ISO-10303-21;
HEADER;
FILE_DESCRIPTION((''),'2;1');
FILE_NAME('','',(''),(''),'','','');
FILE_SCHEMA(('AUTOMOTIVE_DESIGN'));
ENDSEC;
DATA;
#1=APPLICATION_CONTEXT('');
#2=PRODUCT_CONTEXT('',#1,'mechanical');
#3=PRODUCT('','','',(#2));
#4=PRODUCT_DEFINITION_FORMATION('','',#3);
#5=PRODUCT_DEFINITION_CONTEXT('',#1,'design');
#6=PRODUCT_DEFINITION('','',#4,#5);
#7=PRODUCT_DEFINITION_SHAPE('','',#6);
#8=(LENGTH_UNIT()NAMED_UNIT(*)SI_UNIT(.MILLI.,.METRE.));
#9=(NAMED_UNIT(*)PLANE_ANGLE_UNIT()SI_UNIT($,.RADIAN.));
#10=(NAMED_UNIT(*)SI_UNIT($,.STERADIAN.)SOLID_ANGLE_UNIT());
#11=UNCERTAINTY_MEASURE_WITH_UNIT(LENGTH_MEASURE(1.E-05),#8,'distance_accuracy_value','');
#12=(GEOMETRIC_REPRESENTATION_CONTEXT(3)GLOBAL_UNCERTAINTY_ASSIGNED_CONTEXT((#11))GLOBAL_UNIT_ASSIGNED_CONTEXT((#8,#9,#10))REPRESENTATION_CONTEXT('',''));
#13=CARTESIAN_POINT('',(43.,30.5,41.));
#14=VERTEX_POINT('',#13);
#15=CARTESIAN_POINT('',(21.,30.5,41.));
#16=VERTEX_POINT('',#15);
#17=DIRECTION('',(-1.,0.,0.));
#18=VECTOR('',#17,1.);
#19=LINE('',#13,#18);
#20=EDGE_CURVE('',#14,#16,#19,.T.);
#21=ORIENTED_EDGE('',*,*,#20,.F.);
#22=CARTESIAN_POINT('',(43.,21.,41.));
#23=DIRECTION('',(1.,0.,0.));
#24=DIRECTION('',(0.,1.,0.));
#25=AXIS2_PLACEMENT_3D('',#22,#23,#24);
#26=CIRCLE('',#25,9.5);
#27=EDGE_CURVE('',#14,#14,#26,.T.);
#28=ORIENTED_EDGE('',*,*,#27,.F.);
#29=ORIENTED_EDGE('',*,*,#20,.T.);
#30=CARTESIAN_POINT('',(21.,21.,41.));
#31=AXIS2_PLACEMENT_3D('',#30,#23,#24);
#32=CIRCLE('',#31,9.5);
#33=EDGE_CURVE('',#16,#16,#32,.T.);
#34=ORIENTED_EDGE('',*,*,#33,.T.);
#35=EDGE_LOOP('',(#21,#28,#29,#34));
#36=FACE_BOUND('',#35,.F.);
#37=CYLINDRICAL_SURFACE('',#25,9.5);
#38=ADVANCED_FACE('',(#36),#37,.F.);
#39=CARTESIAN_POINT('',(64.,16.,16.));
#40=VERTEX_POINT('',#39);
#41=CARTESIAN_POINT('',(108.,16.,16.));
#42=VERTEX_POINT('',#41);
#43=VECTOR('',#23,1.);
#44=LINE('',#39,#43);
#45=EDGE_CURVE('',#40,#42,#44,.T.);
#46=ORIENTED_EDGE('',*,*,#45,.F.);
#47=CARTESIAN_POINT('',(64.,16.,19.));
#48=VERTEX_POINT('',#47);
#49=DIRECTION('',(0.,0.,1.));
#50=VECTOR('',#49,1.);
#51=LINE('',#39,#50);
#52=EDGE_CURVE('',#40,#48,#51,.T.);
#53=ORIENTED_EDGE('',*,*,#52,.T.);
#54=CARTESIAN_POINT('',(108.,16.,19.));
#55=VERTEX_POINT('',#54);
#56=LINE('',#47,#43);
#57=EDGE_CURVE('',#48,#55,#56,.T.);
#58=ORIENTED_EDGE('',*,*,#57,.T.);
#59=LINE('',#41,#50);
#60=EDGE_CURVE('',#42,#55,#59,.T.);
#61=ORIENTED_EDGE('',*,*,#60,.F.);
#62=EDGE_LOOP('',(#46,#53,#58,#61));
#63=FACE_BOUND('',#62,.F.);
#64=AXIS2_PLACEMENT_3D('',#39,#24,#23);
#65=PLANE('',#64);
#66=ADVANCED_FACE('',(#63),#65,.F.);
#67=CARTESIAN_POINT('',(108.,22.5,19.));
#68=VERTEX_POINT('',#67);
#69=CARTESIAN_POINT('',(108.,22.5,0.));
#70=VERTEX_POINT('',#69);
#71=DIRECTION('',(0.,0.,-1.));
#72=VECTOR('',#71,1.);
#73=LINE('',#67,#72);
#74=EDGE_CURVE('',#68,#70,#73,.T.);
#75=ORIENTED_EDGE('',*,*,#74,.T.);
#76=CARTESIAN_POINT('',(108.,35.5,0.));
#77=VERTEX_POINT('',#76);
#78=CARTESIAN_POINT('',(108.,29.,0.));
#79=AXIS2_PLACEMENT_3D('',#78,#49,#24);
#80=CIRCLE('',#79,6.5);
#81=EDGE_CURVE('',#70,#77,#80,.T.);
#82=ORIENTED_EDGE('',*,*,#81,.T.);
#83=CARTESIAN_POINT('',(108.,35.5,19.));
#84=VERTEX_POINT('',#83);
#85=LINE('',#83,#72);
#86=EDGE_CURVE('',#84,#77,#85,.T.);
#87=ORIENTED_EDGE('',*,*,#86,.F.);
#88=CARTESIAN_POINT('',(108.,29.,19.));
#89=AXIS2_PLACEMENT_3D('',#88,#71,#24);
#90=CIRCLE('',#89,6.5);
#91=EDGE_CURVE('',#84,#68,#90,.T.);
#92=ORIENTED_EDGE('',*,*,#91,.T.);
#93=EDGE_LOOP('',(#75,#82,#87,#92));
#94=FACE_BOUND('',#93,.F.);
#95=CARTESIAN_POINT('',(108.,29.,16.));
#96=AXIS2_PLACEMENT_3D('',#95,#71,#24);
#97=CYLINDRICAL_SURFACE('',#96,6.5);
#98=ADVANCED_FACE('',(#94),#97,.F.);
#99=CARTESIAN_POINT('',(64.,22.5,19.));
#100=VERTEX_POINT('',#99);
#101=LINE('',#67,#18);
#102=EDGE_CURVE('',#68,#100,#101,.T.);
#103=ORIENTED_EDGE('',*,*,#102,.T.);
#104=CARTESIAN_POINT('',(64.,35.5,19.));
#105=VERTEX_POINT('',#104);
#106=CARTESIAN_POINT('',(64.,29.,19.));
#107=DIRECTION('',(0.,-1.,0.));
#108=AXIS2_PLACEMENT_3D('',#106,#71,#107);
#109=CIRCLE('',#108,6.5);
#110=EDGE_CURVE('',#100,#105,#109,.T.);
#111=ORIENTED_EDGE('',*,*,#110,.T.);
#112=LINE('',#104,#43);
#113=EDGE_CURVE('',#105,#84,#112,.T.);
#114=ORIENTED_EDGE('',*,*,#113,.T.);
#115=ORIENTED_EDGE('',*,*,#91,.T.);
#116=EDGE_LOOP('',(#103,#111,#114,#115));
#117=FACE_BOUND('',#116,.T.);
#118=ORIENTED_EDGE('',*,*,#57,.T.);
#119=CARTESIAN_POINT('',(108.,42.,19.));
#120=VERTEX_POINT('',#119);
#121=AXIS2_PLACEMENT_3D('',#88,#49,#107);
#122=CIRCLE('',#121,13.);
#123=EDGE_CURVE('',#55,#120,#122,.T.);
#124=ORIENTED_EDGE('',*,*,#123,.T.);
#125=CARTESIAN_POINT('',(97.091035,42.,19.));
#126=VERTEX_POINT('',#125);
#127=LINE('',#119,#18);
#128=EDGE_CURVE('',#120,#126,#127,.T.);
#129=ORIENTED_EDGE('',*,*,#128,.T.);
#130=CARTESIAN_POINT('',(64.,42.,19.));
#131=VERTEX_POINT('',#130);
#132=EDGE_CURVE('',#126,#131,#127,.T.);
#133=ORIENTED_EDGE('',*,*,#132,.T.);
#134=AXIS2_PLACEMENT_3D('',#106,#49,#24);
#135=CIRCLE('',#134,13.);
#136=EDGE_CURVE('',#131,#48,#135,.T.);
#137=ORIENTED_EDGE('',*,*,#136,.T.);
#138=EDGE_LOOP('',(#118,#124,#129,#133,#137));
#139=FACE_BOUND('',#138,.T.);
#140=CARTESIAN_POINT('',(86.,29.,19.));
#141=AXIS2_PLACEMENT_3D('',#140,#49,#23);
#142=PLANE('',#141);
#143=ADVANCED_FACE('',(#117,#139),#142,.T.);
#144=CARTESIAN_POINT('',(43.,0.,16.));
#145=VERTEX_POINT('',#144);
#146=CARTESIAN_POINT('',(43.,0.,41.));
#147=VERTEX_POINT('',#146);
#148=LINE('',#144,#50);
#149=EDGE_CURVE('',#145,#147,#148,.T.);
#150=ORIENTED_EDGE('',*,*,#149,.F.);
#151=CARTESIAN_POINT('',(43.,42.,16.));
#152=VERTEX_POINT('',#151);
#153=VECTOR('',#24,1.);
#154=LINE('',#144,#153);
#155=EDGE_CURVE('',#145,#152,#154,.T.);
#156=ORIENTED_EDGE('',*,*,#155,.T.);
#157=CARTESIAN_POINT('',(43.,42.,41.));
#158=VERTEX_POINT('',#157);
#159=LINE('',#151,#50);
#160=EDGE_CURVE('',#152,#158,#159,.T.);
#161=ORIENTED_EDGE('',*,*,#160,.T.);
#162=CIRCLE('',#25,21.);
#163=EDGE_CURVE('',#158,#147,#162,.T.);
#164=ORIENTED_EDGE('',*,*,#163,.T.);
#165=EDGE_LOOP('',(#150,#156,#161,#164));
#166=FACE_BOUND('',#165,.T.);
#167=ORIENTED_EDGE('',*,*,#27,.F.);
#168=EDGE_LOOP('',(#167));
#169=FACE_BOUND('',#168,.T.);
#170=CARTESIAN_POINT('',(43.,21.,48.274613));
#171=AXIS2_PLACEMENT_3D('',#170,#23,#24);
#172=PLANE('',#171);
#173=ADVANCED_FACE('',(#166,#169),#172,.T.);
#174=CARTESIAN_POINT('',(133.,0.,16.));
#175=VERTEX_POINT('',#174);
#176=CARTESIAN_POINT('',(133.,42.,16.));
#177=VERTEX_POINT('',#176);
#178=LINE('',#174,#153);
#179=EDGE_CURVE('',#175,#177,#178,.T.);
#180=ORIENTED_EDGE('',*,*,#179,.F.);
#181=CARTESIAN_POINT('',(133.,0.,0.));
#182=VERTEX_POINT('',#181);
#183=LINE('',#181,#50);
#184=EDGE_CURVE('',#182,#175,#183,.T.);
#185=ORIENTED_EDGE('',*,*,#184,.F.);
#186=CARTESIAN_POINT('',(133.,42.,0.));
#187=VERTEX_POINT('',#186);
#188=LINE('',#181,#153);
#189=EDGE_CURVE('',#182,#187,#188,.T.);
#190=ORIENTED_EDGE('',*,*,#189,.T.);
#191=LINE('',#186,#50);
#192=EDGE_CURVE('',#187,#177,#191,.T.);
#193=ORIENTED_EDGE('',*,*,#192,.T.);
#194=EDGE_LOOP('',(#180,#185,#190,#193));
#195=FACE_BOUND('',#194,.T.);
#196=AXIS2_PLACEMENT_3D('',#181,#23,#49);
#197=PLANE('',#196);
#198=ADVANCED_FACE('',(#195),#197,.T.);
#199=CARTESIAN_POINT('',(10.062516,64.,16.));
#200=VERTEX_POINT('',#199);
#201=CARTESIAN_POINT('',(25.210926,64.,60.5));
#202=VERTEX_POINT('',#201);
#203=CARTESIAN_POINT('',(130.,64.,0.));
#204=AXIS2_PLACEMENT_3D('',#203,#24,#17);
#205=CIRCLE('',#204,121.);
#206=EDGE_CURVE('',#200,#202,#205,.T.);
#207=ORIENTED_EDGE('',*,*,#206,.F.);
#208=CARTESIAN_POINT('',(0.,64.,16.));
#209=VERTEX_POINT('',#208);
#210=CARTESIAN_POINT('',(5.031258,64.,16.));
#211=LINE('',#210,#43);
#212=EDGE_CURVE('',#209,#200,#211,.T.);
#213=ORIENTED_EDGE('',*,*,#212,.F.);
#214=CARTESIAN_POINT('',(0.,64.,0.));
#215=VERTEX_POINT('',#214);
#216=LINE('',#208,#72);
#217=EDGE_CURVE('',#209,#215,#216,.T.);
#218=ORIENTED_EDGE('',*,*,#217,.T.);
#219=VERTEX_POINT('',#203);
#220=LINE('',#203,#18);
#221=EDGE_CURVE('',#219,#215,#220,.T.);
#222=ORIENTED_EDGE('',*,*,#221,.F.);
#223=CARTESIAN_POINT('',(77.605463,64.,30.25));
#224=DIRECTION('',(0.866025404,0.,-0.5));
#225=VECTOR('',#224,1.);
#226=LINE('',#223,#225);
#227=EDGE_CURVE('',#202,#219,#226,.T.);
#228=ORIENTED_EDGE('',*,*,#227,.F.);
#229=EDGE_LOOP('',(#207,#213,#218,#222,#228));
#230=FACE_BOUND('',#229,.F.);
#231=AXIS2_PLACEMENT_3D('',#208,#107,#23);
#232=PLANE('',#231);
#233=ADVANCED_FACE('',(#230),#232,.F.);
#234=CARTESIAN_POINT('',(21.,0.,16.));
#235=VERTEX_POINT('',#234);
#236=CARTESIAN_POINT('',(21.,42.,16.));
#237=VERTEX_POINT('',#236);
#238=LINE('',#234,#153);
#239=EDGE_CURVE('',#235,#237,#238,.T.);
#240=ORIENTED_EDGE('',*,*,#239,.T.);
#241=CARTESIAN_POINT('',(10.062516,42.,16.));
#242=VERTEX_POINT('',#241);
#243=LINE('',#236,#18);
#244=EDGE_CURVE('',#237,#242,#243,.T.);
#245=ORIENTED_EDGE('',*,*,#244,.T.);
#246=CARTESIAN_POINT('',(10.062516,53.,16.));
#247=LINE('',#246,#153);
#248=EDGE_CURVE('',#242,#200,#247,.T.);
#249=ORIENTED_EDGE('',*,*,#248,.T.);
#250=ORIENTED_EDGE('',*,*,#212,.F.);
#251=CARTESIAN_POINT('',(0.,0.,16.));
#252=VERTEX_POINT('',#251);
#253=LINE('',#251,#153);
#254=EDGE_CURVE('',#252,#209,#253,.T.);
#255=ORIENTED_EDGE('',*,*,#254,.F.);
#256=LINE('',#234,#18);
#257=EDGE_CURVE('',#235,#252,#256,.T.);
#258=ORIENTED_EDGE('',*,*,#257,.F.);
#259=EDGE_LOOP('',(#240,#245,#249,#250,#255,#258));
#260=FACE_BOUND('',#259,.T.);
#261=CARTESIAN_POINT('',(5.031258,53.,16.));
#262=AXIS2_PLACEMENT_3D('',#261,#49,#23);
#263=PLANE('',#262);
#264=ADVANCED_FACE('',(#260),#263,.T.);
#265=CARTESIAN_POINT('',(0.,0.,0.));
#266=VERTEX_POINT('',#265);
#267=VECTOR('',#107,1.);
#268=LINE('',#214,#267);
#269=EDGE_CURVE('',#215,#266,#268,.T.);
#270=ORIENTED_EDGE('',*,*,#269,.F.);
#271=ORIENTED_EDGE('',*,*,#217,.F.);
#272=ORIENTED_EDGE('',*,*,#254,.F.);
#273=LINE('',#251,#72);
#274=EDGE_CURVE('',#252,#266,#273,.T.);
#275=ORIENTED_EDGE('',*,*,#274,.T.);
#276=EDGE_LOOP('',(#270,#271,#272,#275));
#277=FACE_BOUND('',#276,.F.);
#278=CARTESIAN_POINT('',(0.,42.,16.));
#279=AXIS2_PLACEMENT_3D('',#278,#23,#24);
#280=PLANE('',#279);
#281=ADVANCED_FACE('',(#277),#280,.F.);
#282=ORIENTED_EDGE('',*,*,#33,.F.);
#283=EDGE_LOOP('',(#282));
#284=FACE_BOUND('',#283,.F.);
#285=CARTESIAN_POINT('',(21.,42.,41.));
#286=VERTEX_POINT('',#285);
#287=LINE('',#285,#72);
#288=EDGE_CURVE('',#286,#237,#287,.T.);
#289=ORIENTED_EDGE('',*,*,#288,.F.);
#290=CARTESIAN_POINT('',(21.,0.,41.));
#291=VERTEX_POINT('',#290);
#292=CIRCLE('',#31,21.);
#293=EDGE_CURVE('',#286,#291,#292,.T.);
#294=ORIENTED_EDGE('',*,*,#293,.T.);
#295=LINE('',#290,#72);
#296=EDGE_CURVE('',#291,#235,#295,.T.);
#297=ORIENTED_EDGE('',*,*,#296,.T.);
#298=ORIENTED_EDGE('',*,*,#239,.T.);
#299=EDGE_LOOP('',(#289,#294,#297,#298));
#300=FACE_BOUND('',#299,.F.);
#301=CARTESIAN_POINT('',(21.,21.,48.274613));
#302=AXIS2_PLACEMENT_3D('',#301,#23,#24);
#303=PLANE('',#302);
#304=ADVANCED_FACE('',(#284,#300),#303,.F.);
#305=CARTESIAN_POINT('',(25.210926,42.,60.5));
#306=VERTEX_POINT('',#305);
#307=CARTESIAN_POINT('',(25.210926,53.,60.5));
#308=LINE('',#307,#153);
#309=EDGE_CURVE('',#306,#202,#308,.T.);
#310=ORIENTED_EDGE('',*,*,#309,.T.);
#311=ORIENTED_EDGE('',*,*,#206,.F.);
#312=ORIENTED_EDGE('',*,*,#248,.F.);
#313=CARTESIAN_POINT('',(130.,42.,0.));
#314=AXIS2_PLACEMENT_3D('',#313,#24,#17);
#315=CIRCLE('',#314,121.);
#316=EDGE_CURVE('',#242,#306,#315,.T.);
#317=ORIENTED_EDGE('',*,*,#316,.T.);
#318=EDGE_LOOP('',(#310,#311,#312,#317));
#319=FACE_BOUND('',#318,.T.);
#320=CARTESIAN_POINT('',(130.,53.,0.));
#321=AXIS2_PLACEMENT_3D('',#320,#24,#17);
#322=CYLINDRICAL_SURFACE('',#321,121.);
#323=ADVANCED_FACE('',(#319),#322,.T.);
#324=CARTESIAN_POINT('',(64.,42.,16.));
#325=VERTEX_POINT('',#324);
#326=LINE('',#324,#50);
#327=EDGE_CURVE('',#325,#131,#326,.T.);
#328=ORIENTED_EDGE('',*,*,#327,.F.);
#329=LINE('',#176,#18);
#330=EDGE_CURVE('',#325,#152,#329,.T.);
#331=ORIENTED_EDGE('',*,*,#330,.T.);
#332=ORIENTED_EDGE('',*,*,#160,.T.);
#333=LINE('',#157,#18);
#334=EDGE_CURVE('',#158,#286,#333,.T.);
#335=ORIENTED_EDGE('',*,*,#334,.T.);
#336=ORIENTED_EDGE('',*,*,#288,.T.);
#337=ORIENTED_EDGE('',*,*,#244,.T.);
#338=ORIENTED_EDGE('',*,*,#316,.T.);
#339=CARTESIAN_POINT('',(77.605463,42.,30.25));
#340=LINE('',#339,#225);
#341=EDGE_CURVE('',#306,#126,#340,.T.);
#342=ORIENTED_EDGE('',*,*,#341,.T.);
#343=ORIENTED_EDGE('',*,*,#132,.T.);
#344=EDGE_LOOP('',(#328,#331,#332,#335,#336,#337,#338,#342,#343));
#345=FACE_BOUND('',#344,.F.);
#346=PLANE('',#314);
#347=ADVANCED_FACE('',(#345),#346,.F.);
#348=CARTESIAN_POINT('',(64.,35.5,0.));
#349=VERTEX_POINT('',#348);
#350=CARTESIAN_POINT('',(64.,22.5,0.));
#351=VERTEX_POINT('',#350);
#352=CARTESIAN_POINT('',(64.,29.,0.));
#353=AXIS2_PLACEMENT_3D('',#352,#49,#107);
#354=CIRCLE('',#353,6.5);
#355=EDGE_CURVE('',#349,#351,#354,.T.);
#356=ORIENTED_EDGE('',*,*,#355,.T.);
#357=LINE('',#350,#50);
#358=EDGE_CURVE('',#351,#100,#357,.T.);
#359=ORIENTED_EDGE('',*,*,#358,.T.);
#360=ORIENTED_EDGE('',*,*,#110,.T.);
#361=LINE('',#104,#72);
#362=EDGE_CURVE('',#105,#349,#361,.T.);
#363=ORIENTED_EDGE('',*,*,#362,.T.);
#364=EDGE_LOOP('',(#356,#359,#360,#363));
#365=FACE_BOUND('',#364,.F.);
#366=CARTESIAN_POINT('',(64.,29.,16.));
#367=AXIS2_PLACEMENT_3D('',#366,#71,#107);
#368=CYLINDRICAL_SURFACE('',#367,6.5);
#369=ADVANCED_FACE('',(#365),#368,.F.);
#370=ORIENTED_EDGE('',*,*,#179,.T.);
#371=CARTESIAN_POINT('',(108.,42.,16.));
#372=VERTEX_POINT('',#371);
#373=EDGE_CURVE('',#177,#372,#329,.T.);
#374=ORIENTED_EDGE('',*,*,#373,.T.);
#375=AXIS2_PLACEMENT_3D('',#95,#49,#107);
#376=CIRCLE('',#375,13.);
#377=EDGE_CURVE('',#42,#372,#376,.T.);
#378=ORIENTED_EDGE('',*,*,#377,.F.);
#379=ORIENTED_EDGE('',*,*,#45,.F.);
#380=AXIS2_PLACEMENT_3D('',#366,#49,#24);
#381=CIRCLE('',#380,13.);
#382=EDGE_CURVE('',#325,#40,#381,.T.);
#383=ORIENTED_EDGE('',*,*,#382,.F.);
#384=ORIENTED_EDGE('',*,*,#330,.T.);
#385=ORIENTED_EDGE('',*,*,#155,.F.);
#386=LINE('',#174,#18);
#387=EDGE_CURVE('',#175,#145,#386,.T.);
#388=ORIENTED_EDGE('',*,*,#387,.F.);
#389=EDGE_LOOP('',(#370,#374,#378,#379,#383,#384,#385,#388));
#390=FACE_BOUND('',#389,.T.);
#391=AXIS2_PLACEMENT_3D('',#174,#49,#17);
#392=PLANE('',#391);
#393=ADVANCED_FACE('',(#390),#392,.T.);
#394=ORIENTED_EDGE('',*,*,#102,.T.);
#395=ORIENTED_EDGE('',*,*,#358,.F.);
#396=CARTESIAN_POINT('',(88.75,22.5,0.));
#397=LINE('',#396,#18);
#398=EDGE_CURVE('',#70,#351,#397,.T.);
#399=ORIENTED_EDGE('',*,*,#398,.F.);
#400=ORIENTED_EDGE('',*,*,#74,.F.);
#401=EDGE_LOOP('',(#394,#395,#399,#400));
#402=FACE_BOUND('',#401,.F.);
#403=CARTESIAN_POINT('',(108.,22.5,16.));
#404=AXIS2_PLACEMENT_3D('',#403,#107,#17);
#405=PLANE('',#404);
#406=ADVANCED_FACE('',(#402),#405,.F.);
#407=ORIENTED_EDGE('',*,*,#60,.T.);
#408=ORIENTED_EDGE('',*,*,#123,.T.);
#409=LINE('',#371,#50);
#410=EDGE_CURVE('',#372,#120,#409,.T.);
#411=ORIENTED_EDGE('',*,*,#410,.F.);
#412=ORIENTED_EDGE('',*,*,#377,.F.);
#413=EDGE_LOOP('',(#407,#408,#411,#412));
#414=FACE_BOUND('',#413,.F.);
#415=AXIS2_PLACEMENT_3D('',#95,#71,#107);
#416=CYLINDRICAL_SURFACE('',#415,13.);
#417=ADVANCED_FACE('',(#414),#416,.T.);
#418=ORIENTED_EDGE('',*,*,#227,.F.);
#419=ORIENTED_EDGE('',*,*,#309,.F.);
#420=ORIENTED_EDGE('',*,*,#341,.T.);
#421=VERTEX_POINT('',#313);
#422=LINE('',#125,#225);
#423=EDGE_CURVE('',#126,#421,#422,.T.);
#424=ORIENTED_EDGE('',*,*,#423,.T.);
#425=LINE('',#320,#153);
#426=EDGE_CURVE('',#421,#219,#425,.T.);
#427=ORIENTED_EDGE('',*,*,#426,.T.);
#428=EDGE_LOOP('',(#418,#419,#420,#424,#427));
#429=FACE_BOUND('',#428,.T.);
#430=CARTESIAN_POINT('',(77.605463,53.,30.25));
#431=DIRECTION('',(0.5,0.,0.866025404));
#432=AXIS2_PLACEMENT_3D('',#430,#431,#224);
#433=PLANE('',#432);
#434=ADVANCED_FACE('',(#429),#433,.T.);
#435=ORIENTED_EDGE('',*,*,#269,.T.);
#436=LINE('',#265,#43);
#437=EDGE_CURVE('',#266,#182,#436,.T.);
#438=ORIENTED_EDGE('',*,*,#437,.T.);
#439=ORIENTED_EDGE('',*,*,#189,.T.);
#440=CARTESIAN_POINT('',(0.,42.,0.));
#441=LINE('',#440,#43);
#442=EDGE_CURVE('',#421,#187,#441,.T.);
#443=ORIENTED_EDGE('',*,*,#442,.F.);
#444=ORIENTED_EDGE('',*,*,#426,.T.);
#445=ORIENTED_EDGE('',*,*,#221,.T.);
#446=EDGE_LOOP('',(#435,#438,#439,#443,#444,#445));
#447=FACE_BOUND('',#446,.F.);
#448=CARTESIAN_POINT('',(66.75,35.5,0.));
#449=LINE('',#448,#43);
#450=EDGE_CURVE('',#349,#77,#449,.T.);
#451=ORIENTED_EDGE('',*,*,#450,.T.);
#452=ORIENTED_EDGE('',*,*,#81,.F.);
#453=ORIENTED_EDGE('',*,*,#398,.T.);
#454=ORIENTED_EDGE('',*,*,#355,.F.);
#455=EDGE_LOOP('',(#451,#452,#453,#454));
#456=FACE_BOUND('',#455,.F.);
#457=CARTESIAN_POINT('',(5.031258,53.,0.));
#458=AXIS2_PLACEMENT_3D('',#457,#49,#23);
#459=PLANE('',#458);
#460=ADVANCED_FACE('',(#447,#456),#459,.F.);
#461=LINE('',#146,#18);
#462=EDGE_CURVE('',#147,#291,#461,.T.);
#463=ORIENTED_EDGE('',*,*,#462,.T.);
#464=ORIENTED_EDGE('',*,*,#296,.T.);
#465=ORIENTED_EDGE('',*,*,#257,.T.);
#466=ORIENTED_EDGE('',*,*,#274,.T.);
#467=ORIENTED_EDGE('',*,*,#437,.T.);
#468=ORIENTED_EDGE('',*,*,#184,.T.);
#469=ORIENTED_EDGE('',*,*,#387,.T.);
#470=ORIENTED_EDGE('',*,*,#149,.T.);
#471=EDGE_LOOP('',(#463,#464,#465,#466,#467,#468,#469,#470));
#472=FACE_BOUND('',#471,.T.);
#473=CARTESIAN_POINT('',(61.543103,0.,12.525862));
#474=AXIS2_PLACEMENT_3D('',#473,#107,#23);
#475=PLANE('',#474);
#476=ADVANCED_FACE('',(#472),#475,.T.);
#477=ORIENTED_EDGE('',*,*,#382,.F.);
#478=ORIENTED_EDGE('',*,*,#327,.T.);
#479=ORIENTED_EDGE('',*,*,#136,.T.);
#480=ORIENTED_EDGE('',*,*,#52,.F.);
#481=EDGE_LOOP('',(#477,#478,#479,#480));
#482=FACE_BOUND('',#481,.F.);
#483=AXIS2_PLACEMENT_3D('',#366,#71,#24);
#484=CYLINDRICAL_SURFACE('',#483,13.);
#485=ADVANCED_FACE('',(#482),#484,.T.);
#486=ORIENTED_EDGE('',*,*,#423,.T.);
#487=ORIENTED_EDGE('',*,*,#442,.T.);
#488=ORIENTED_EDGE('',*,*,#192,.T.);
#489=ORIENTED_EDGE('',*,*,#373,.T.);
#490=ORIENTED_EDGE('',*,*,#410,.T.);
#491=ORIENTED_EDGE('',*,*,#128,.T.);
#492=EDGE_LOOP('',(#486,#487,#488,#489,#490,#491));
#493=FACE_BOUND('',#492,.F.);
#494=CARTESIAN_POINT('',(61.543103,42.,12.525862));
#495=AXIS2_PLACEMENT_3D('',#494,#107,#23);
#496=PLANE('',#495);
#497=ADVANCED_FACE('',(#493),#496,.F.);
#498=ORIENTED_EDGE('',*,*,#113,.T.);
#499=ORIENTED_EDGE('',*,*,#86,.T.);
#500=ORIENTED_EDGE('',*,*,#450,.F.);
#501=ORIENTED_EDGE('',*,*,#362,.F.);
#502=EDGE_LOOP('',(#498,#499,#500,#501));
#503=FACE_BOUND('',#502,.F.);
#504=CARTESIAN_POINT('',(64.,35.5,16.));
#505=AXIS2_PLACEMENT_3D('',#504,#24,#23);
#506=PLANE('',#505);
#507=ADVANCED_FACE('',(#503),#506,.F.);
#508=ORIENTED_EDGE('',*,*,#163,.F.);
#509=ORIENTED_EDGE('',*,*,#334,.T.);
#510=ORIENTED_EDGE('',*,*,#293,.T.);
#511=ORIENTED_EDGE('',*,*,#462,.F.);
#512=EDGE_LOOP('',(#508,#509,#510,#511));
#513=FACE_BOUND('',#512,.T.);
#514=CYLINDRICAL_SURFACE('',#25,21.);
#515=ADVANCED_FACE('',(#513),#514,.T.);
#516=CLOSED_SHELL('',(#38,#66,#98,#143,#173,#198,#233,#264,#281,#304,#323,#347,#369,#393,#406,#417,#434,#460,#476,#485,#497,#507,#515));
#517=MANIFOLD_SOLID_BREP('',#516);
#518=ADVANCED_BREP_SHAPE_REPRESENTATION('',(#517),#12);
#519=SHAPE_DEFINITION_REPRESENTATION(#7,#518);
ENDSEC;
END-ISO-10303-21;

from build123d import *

# Parameters (mm, degrees)
F1_DEPTH  = 42
F2_W      = 121
F2_H      = 22
F3_ANGLE  = 30
F5_DEPTH  = 22
F8_DEPTH  = 3
F9_DEPTH  = 25
F6_R      = 9.5
F10_DEPTH = 25
F11_W     = 10.0625162845
F11_H     = 22
F12_DEPTH = 16


with BuildPart() as f1:
    # F0 (on Front) → F1 (new body)
    with BuildSketch(Plane.XZ):
        Polygon((0, 16), (0, 0), (133, 0), (133, 16), (43, 16), (43, 41), (21, 41), (21, 16), align=None)
    extrude(amount=-F1_DEPTH)

    # F2 (on Top) → F3 (revolve)
    with BuildSketch(Plane.XY):
        with Locations((69.5, 53)):
            Rectangle(F2_W, F2_H)
    revolve(axis=Axis((130, 53, 0), (0, 1, 0)), revolution_arc=F3_ANGLE)

    # F4 (on face) → F5 (join)
    with BuildSketch(Plane.YZ.offset(43)):
        with BuildLine():
            Line((0, 41), (42, 41))
            ThreePointArc((42, 41), (21, 62), (0, 41))
        make_face()
    extrude(amount=-F5_DEPTH)

    # F7 (on face) → F8 (join)
    with BuildSketch(Plane.XY.offset(16)):
        with BuildLine():
            Line((102.2871870789, 42), (64, 42))
            ThreePointArc((64, 42), (51, 29), (64, 16))
            Line((64, 16), (108, 16))
            ThreePointArc((108, 16), (121, 29), (108, 42))
            Line((108, 42), (102.2871870789, 42))
        make_face()
        with BuildLine():
            ThreePointArc((64, 22.5), (57.5, 29), (64, 35.5))
            Line((64, 35.5), (108, 35.5))
            ThreePointArc((108, 35.5), (114.5, 29), (108, 22.5))
            Line((108, 22.5), (64, 22.5))
        make_face(mode=Mode.SUBTRACT)
    extrude(amount=F8_DEPTH)

    # F9 (cut): a face of the model
    f9_faces = [f1.faces().sort_by_distance(p)[0] for p in [
        (86, 29, 16),
    ]]
    extrude(f9_faces, amount=-F9_DEPTH, mode=Mode.SUBTRACT)

    # F6 (on face) → F10 (cut)
    with BuildSketch(Plane.YZ.offset(43)):
        with Locations((21, 41)):
            Circle(F6_R)
    extrude(amount=-F10_DEPTH, mode=Mode.SUBTRACT)

    # F11 (on face) → F12 (join)
    with BuildSketch(Plane.XY.offset(16)):
        with Locations((5.0312581423, 53)):
            Rectangle(F11_W, F11_H)
    extrude(amount=-F12_DEPTH)


solid = f1.part
